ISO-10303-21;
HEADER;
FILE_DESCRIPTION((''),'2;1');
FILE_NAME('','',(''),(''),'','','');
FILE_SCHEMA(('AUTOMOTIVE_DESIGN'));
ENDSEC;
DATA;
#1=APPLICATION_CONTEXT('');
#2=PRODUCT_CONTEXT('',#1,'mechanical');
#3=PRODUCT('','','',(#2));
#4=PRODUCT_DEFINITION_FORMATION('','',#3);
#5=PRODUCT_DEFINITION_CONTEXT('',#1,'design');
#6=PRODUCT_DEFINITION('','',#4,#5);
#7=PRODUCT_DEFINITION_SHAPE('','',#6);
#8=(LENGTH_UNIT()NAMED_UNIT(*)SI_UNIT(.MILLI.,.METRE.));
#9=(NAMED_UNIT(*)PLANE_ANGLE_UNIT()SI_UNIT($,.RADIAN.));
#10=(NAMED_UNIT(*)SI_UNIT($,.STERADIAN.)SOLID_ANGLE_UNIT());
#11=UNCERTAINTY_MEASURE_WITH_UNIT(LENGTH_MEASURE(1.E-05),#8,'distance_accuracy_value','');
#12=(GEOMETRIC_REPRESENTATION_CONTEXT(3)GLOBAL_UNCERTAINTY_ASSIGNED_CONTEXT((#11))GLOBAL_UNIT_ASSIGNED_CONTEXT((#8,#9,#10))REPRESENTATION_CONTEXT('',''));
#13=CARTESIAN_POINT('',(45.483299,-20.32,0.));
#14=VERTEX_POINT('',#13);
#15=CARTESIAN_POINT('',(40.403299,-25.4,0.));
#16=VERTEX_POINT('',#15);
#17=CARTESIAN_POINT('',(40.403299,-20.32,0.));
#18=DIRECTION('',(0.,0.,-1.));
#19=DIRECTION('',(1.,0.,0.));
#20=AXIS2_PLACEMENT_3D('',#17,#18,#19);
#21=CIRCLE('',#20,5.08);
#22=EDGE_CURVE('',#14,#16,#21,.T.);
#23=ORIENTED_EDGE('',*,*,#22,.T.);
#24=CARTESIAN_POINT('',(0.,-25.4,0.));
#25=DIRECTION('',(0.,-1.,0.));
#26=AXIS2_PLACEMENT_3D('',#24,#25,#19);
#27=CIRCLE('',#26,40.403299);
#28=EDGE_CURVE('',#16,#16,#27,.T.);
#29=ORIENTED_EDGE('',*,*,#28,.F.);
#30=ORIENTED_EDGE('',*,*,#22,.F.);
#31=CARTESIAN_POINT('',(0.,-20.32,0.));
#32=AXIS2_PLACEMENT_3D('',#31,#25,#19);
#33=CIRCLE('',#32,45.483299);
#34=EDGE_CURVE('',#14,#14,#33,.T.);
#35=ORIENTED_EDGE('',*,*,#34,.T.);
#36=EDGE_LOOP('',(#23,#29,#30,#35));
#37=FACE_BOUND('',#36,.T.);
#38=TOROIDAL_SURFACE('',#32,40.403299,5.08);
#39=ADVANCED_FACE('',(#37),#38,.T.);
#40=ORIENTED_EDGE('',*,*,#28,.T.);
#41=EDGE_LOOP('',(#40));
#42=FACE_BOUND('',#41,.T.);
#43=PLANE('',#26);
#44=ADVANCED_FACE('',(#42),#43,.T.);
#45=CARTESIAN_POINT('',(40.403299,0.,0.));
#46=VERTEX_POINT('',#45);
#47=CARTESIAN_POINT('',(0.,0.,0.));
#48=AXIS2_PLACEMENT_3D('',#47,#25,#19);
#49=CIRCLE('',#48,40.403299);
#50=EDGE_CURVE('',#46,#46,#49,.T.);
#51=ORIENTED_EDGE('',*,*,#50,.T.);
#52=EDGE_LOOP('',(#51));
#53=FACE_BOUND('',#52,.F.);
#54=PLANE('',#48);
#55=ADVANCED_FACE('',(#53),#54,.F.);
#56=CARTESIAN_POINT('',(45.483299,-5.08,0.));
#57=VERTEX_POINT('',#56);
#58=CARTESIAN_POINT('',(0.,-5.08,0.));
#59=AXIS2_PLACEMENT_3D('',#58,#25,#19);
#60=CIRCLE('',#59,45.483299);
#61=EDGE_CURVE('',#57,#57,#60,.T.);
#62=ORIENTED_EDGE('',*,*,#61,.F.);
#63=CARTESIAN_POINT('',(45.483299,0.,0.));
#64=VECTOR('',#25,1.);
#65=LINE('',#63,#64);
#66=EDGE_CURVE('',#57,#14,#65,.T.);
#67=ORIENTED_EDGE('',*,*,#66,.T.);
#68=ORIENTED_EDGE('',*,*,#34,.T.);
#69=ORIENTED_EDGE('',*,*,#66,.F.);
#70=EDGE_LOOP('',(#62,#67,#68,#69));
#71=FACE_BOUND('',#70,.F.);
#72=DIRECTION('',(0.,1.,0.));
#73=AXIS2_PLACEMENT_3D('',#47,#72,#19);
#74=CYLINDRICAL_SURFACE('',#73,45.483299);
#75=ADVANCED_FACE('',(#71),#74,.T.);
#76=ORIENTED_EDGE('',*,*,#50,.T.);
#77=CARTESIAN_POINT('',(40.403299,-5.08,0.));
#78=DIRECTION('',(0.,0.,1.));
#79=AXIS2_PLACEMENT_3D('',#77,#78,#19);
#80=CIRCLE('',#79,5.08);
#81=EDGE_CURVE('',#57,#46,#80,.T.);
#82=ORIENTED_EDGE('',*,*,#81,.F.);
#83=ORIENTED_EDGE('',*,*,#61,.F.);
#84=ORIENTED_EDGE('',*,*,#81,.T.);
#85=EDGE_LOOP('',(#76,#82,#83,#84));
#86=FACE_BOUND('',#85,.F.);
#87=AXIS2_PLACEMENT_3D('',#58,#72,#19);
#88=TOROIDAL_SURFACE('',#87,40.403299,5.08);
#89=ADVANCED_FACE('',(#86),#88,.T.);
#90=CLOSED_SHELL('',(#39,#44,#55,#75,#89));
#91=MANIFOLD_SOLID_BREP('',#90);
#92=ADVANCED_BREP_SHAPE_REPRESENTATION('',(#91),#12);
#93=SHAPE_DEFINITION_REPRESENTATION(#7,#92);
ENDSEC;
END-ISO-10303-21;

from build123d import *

# Parameters (mm, degrees)
F0_R     = 45.483299
F1_DEPTH = 25.4
F2_R     = 5.08


with BuildPart() as f1:
    # F0 (on Front) → F1 (new body)
    with BuildSketch(Plane.XZ):
        Circle(F0_R)
    extrude(amount=F1_DEPTH)

    # F2
    f2_edges = [f1.edges().sort_by_distance(p)[0] for p in [
        (45.483299, -12.7, 0),
        (-45.483299, 0, 0),
        (-45.483299, -25.4, 0),
    ]]
    fillet(f2_edges, radius=F2_R)


solid = f1.part
